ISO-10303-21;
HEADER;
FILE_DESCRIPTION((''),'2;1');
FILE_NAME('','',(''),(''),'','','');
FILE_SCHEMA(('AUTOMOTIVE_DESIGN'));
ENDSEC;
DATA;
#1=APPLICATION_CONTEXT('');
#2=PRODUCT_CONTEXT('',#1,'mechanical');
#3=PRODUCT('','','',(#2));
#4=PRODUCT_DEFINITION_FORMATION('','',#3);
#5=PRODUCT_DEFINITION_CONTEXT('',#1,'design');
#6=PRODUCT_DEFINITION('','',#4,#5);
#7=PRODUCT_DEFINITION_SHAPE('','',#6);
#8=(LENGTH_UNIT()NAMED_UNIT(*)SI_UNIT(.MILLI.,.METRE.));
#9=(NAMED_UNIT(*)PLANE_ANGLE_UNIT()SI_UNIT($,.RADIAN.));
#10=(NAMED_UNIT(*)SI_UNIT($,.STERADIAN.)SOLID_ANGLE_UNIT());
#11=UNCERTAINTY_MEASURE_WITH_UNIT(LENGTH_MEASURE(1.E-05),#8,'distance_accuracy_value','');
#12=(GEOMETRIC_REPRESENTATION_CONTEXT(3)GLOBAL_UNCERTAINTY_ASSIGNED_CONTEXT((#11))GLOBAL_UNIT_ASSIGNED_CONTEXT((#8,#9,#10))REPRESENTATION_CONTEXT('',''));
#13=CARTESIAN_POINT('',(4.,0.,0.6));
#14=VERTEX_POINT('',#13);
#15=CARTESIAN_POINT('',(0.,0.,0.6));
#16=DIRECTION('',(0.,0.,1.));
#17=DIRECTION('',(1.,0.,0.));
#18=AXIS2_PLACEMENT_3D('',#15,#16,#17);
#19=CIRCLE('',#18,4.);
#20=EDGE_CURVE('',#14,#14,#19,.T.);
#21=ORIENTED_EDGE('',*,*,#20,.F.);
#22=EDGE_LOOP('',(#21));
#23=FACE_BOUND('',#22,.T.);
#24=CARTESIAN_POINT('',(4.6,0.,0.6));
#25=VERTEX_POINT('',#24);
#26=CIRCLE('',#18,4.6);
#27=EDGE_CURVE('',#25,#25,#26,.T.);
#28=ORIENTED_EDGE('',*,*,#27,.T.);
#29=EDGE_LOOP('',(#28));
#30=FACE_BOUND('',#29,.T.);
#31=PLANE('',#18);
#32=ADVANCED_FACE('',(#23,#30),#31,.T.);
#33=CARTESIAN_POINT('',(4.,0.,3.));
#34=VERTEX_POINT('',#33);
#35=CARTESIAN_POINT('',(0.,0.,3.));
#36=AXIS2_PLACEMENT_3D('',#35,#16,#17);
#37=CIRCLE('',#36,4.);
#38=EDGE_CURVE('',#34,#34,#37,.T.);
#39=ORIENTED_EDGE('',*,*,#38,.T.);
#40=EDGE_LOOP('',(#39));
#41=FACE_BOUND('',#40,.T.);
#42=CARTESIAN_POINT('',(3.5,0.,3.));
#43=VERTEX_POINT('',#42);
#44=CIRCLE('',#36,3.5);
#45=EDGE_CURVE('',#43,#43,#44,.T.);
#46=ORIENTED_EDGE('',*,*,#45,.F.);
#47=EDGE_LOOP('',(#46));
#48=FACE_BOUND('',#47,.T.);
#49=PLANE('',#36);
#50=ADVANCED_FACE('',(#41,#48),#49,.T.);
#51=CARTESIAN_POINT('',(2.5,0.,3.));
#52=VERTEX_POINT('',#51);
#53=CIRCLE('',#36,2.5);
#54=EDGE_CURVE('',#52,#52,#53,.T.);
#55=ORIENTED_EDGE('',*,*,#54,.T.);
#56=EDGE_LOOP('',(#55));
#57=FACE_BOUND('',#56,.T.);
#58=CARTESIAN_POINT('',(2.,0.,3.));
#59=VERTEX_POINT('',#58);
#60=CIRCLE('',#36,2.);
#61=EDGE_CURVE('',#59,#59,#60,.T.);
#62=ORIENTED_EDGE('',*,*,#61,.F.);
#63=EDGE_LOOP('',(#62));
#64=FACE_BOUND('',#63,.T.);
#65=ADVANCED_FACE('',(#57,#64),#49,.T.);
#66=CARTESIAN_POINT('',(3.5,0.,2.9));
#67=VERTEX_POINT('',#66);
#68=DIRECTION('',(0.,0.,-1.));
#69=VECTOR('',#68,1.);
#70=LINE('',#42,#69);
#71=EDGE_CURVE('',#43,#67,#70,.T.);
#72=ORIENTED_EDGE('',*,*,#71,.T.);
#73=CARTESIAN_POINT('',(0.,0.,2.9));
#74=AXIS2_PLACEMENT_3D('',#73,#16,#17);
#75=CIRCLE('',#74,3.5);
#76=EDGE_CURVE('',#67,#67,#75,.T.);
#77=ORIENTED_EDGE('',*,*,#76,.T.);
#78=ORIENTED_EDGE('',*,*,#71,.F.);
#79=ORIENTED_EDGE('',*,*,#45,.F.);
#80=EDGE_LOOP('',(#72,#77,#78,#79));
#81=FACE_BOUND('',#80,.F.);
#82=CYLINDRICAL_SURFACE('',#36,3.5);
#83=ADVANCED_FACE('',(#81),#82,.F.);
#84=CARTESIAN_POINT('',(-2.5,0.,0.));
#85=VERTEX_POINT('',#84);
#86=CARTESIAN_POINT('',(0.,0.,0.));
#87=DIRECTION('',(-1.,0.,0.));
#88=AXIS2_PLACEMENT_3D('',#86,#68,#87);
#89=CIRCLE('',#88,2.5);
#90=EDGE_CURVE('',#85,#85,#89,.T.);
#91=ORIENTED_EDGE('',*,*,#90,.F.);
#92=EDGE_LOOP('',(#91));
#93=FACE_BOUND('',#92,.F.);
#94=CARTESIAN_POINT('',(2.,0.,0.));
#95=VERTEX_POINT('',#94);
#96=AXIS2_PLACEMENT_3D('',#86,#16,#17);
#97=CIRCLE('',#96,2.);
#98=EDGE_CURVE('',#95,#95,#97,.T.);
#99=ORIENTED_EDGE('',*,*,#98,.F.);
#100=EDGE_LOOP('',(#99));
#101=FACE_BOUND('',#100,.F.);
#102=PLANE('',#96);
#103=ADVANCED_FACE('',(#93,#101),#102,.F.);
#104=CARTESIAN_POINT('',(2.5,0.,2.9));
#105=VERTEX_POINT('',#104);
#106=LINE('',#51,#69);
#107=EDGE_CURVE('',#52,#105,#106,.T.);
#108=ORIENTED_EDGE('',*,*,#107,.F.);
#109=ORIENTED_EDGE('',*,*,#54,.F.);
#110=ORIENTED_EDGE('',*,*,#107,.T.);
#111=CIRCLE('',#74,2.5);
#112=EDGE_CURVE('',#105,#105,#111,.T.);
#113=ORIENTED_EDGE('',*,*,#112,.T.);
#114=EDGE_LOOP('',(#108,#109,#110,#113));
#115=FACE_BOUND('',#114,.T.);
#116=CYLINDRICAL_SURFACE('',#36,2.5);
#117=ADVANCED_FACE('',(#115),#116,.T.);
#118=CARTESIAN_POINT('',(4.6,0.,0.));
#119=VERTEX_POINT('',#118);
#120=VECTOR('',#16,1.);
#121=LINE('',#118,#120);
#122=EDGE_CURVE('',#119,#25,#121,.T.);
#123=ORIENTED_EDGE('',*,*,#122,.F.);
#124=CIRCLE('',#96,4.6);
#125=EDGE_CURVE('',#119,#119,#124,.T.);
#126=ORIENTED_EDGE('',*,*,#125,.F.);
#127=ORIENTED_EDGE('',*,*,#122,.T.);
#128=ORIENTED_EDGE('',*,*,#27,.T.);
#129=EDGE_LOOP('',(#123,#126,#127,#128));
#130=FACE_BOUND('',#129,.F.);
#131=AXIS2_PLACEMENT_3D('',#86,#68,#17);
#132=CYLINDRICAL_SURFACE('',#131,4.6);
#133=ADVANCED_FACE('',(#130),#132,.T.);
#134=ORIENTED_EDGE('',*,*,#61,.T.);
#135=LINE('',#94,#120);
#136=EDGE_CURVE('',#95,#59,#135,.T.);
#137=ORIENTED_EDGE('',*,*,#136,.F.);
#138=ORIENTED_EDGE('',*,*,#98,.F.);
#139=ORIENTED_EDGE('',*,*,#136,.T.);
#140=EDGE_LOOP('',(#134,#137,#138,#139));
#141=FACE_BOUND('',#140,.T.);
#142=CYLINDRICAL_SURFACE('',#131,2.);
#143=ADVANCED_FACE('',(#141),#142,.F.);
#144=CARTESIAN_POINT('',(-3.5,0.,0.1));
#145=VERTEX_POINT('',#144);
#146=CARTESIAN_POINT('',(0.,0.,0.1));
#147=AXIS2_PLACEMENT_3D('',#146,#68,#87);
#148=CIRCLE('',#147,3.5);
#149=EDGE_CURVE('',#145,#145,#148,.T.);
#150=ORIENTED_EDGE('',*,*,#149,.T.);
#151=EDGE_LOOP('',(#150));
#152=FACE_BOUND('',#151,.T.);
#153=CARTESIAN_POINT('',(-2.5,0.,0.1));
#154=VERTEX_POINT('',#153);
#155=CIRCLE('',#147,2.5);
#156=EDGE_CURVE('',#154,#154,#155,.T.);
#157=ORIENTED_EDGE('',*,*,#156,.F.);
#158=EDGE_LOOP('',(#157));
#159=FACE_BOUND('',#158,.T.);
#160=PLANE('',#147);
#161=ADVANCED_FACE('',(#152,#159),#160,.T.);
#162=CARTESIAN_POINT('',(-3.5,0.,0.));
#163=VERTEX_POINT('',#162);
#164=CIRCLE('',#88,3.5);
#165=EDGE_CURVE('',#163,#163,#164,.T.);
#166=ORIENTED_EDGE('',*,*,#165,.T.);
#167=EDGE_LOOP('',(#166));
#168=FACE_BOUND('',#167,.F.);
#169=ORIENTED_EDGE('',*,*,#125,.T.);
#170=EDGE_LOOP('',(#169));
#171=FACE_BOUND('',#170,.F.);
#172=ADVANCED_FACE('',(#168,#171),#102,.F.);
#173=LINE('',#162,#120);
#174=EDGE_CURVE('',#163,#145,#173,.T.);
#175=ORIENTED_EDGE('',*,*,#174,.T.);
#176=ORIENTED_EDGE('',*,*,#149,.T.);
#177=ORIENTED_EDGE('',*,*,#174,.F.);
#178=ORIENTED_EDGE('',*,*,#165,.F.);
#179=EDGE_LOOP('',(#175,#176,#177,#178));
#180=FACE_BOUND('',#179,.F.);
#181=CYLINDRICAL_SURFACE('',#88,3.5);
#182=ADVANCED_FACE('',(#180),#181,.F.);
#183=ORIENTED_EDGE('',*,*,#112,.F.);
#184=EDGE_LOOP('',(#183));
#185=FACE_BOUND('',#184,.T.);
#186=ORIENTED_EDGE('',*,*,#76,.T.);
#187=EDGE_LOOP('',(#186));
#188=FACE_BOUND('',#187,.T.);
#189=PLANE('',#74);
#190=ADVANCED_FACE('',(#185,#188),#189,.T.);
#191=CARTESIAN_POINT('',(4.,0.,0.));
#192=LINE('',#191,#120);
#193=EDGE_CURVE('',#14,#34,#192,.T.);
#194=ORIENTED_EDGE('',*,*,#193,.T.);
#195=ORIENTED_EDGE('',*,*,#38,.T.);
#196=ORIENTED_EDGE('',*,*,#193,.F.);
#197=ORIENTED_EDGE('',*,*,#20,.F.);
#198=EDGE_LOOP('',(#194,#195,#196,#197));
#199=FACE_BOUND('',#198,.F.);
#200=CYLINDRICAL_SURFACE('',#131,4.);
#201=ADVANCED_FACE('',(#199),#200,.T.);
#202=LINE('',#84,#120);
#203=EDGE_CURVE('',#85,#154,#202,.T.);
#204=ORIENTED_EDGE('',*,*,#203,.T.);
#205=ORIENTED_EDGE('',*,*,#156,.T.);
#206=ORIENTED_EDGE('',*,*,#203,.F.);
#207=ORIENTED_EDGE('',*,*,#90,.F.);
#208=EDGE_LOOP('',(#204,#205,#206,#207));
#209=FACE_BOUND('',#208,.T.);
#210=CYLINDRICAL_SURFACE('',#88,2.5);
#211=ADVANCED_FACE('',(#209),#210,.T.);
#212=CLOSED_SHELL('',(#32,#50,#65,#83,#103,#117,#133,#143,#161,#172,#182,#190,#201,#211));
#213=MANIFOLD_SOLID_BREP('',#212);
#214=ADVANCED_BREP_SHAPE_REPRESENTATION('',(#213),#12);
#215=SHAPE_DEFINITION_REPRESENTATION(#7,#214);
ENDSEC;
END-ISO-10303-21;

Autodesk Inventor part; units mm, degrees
ref_plane "YZ Plane" through (0, 0, 0) normal (1, 0, 0) x (0, 1, 0)
ref_plane "XZ Plane" through (0, 0, 0) normal (0, 1, 0) x (-1, 0, 0)
ref_plane "XY Plane" through (0, 0, 0) normal (0, 0, 1) x (1, 0, 0)
sketch "スケッチ1" plane through (0, 0, 0) normal (0, 0, 1) x (1, 0, 0)
  circle A0 centre (0, 0) radius 2
  circle A1 centre (0, 0) radius 4
  circle A2 centre (0, 0) radius 4.6
  dimension "d0" = 4
  dimension "d1" = 8
  dimension "d2" = 0.6
extrude "押し出し1" add sketch "スケッチ1" along normal blind 3 contours A1
extrude "押し出し2" add sketch "スケッチ1" along normal blind 0.6 contours A2
sketch "スケッチ2" plane through (0, 0, 0) normal (0, 0, -1) x (-1, 0, 0)
  circle A0 centre (0, 0) radius 2.5
  circle A1 centre (0, 0) radius 3.5
  dimension "d7" = 5
  dimension "d8" = 7
extrude "押し出し3" cut sketch "スケッチ2" against normal blind 0.1
sketch "スケッチ3" plane through (0, 0, 3) normal (0, 0, 1) x (1, 0, 0)
  circle A0 centre (0, 0) radius 2.5
  circle A1 centre (0, 0) radius 3.5
  dimension "d11" = 5
  dimension "d12" = 7
extrude "押し出し4" cut sketch "スケッチ3" against normal blind 0.1
properties part number "ベアリングd4D8B3F" material "鋼、炭素鋼"
